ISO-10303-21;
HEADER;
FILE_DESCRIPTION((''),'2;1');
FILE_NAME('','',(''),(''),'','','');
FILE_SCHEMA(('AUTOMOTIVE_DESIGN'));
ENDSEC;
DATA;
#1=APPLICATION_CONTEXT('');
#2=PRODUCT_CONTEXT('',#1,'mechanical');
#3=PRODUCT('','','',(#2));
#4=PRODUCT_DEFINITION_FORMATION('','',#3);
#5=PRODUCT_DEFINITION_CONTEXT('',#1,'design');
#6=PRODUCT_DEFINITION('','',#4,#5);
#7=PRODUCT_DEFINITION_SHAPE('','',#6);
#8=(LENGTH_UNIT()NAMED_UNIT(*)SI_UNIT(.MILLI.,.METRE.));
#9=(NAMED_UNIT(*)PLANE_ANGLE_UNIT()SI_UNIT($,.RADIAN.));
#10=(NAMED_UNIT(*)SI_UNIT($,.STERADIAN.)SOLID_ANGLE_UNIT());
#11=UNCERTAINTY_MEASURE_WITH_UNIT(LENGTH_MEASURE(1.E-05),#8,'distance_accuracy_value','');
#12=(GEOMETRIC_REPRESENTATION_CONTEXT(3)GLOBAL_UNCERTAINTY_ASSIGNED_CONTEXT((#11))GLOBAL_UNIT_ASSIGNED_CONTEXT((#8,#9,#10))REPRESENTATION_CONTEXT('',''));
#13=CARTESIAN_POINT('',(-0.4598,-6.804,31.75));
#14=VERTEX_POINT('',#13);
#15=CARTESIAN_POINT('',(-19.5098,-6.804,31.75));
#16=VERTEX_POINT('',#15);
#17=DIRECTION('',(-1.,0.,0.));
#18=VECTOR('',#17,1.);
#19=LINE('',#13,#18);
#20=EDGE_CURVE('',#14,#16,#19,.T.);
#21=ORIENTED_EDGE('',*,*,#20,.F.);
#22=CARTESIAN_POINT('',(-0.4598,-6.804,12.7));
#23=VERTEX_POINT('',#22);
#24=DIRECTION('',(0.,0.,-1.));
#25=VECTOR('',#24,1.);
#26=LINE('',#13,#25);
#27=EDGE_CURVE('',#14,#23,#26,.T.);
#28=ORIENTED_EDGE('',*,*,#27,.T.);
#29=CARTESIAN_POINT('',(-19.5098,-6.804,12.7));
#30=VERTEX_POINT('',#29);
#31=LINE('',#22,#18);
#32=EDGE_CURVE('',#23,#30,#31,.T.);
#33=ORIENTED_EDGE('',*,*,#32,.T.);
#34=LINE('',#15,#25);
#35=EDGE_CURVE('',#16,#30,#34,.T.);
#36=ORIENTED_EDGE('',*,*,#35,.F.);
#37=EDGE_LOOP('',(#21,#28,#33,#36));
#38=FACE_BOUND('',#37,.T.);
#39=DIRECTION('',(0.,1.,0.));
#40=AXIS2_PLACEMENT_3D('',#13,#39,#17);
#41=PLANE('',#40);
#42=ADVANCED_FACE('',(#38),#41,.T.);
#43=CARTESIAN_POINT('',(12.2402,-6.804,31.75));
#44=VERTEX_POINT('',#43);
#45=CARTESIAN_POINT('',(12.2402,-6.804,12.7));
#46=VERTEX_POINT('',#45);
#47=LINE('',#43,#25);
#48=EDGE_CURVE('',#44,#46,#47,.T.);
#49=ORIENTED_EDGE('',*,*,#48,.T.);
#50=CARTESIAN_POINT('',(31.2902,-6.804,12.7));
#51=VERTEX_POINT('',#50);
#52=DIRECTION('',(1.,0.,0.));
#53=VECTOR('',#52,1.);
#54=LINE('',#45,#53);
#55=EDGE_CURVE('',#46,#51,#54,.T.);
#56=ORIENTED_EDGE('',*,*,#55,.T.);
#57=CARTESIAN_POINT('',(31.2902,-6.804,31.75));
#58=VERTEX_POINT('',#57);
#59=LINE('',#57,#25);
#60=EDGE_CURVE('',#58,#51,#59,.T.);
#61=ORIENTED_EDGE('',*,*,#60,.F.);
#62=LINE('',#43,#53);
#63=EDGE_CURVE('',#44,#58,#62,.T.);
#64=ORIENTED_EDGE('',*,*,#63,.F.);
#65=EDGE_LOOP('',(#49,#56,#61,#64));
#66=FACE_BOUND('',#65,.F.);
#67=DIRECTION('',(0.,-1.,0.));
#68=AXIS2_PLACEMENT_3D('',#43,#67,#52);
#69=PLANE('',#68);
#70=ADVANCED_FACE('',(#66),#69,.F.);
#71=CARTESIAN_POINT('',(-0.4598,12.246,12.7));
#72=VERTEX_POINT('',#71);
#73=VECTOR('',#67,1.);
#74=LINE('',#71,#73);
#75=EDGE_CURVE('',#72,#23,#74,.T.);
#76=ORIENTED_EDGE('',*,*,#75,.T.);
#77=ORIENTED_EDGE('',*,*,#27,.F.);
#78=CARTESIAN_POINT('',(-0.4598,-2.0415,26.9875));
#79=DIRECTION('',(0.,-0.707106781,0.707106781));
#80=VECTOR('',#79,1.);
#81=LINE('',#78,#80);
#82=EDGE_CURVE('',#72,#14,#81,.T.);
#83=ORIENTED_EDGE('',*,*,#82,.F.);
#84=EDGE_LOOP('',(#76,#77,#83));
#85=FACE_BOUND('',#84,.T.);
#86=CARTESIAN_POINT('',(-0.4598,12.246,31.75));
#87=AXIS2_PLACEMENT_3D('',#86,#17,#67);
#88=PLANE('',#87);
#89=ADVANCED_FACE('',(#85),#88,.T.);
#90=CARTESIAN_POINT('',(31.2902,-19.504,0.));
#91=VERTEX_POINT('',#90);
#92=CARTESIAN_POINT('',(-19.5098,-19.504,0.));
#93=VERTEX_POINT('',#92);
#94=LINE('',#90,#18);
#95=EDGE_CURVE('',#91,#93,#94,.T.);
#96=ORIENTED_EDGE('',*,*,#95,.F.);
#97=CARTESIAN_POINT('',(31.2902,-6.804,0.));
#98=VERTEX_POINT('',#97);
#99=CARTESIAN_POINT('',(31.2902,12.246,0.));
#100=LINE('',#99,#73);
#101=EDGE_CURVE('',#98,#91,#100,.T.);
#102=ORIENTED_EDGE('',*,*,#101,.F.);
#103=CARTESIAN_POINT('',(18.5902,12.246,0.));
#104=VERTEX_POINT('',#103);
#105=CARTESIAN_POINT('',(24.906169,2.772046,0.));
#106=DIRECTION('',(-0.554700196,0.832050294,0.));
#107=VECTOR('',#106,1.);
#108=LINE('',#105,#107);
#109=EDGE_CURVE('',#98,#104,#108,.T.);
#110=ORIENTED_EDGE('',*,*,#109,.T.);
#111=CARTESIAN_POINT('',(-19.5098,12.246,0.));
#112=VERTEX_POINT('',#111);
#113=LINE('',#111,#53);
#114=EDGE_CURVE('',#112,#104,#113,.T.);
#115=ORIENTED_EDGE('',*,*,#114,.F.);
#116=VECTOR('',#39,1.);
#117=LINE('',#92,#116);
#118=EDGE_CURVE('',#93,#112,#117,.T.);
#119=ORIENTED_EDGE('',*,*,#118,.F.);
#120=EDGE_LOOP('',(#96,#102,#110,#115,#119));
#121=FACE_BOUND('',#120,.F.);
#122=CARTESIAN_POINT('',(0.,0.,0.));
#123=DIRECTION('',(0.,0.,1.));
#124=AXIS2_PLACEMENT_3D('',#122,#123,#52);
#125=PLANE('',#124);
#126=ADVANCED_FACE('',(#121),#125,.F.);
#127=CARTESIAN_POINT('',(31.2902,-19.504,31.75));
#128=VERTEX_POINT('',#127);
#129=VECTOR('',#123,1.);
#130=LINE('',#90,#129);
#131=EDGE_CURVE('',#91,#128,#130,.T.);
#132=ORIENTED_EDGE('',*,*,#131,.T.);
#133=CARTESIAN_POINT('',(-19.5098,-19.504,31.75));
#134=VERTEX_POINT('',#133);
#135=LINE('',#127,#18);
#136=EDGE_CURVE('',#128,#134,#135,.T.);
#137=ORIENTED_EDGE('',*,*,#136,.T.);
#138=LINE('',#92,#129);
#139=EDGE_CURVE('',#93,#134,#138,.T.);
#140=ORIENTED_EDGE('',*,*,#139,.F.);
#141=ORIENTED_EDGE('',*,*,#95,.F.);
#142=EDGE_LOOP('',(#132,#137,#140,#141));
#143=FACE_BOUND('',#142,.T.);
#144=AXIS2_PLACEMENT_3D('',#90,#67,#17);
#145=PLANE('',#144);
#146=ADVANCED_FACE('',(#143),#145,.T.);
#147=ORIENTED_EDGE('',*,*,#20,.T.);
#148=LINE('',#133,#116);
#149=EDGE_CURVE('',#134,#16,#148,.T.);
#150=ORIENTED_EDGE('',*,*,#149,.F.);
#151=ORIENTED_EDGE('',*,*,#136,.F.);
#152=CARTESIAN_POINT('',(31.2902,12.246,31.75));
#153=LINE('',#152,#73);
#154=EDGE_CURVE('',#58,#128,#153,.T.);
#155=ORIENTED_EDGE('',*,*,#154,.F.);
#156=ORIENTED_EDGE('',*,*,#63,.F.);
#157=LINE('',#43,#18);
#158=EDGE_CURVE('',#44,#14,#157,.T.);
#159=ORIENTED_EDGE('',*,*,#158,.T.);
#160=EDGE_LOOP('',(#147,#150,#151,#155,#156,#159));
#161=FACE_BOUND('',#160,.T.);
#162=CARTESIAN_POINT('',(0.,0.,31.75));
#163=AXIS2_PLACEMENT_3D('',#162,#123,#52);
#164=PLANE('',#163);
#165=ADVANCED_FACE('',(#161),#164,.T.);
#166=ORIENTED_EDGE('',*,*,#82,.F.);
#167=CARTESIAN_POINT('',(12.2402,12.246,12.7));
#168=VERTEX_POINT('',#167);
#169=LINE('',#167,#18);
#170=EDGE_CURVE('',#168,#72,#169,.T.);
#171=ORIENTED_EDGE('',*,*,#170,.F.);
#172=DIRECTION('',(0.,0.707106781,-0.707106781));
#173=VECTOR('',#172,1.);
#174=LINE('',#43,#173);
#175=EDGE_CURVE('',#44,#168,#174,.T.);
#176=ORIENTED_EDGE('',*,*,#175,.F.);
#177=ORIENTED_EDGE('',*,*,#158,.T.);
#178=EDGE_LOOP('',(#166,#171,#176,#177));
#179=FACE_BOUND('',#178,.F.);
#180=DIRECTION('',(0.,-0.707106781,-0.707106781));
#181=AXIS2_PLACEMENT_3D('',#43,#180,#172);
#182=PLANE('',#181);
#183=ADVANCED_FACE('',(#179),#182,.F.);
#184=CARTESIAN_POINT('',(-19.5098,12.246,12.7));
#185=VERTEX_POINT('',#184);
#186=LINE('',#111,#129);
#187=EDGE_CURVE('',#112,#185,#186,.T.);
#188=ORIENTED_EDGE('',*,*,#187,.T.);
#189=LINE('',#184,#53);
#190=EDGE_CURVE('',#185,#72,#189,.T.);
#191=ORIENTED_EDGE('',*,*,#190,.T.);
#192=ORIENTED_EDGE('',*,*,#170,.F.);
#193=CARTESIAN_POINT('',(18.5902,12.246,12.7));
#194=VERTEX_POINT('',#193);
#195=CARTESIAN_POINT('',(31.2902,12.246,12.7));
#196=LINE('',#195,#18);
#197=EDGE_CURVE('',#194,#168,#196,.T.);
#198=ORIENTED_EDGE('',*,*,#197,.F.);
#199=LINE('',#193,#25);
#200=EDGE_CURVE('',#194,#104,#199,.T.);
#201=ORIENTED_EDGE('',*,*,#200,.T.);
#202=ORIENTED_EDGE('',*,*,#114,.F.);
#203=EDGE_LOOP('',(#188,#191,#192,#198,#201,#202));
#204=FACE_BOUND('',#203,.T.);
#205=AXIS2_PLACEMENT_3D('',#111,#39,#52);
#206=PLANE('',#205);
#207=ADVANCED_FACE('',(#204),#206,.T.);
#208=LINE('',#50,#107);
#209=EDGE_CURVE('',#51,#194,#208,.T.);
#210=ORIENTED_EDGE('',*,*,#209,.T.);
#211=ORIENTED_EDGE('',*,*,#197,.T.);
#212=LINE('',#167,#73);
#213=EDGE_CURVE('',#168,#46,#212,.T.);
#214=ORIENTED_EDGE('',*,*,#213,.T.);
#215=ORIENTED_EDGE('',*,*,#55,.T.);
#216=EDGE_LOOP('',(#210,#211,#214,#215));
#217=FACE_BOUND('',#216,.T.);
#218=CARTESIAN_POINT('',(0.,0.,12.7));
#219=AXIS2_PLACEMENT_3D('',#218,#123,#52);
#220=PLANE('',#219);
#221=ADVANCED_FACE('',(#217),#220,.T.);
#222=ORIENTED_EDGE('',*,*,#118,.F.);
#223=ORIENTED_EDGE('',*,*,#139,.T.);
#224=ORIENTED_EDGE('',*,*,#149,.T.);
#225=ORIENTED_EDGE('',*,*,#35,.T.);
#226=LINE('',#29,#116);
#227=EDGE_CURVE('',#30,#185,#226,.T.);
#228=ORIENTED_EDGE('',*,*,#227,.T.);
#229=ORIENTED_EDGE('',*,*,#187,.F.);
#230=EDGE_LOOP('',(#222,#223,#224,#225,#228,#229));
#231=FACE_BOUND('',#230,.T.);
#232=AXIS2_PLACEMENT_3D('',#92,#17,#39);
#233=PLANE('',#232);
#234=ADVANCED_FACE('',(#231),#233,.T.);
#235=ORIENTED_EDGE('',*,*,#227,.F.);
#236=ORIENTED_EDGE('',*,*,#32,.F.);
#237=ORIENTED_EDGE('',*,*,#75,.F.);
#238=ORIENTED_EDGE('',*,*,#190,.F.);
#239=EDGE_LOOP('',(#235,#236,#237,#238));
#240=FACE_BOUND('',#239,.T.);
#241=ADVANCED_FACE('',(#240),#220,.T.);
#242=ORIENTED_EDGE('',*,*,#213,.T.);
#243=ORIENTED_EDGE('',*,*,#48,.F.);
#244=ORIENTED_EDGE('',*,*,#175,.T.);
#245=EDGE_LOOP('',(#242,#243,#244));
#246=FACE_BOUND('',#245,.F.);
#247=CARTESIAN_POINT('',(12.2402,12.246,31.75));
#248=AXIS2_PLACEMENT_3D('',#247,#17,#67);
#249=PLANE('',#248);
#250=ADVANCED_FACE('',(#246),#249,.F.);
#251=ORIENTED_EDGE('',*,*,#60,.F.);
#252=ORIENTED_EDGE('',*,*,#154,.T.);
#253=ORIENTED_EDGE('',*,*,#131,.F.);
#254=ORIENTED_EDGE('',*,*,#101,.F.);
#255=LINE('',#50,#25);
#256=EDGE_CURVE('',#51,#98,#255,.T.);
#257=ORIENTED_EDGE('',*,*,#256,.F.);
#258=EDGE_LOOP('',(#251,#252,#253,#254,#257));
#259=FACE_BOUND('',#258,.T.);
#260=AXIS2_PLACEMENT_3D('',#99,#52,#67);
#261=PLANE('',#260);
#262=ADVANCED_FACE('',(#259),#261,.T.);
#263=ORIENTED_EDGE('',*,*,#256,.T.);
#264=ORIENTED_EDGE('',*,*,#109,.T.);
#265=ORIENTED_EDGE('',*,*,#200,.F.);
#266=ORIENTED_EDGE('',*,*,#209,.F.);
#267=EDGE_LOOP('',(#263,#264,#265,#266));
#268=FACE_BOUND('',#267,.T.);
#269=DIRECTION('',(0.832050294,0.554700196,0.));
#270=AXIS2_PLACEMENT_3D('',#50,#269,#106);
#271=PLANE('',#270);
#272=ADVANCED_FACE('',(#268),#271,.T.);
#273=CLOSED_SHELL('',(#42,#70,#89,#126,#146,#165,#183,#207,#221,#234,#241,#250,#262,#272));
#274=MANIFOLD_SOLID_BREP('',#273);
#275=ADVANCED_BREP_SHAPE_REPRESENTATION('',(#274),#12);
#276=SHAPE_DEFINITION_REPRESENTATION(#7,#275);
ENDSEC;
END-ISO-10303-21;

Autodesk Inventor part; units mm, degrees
ref_plane "YZ Plane" through (0, 0, 0) normal (1, 0, 0) x (0, 1, 0)
ref_plane "XZ Plane" through (0, 0, 0) normal (0, 1, 0) x (-1, 0, 0)
ref_plane "XY Plane" through (0, 0, 0) normal (0, 0, 1) x (1, 0, 0)
sketch "Sketch1" plane through (0, 0, 0) normal (0, 0, 1) x (1, 0, 0)
  line L0 (-19.5098, 12.246) -> (31.2902, 12.246)
  line L1 (31.2902, 12.246) -> (31.2902, -19.504)
  line L2 (31.2902, -19.504) -> (-19.5098, -19.504)
  line L3 (-19.5098, -19.504) -> (-19.5098, 12.246)
  point P0 (0, 0)
  dimension "d0" = 50.8
  dimension "d1" = 31.75
extrude "Extrusion1" add sketch "Sketch1" along normal blind 31.75
sketch "Sketch2" plane through (0, 0, 31.75) normal (0, 0, 1) x (1, 0, 0)
  line L0 (31.2902, 12.246) -> (-19.5098, 12.246) projected
  line L1 (-19.5098, 12.246) -> (-0.4598, 12.246)
  line L2 (-0.4598, 12.246) -> (-0.4598, -6.804)
  line L3 (-0.4598, -6.804) -> (-19.5098, -6.804)
  line L4 (-19.5098, -6.804) -> (-19.5098, 12.246)
  line L5 (31.2902, 12.246) -> (12.2402, 12.246)
  line L6 (12.2402, 12.246) -> (12.2402, -6.804)
  line L7 (12.2402, -6.804) -> (31.2902, -6.804)
  line L8 (31.2902, -6.804) -> (31.2902, 12.246)
  line L9 (31.2902, -19.504) -> (-19.5098, -19.504) projected
  point P0 (0, 0)
  dimension "d4" = 12.7
  dimension "d5" = 12.7
  dimension "d6" = 19.05
  dimension "d7" = 19.05
extrude "Extrusion2" cut sketch "Sketch2" against normal blind 19.05
sketch "Sketch3" plane through (12.2402, -6.804, 31.75) normal (1, 0, 0) x (0, 0, -1)
  line L0 (0, 0) -> (19.05, 0) projected
  line L1 (19.05, 0) -> (19.05, 19.05) projected
  line L2 (0, 0) -> (19.05, 19.05)
  line L3 (0, 19.05) -> (19.05, 19.05) projected
  line L4 (19.05, 19.05) -> (0, 19.05)
  line L5 (0, 0) -> (0, 19.05) projected
  line L6 (0, 19.05) -> (0, 0)
  point P0 (31.75, 6.804)
extrude "Extrusion3" cut sketch "Sketch3" against normal blind 19.05 contours L5 L3 L2
sketch "Sketch4" plane through (0, 0, 12.7) normal (0, 0, 1) x (1, 0, 0)
  line L0 (31.2902, -19.504) -> (31.2902, -6.804) projected
  line L1 (31.2902, -6.804) -> (18.5902, 12.246)
  line L2 (12.2402, 12.246) -> (31.2902, 12.246) projected
  line L3 (18.5902, 12.246) -> (31.2902, 12.246)
  line L4 (31.2902, 12.246) -> (31.2902, -6.804)
  point P0 (0, 0)
  dimension "d12" = 6.35
extrude "Extrusion4" cut sketch "Sketch4" against normal blind 19.05
properties part number "Figure 7_28_4"
